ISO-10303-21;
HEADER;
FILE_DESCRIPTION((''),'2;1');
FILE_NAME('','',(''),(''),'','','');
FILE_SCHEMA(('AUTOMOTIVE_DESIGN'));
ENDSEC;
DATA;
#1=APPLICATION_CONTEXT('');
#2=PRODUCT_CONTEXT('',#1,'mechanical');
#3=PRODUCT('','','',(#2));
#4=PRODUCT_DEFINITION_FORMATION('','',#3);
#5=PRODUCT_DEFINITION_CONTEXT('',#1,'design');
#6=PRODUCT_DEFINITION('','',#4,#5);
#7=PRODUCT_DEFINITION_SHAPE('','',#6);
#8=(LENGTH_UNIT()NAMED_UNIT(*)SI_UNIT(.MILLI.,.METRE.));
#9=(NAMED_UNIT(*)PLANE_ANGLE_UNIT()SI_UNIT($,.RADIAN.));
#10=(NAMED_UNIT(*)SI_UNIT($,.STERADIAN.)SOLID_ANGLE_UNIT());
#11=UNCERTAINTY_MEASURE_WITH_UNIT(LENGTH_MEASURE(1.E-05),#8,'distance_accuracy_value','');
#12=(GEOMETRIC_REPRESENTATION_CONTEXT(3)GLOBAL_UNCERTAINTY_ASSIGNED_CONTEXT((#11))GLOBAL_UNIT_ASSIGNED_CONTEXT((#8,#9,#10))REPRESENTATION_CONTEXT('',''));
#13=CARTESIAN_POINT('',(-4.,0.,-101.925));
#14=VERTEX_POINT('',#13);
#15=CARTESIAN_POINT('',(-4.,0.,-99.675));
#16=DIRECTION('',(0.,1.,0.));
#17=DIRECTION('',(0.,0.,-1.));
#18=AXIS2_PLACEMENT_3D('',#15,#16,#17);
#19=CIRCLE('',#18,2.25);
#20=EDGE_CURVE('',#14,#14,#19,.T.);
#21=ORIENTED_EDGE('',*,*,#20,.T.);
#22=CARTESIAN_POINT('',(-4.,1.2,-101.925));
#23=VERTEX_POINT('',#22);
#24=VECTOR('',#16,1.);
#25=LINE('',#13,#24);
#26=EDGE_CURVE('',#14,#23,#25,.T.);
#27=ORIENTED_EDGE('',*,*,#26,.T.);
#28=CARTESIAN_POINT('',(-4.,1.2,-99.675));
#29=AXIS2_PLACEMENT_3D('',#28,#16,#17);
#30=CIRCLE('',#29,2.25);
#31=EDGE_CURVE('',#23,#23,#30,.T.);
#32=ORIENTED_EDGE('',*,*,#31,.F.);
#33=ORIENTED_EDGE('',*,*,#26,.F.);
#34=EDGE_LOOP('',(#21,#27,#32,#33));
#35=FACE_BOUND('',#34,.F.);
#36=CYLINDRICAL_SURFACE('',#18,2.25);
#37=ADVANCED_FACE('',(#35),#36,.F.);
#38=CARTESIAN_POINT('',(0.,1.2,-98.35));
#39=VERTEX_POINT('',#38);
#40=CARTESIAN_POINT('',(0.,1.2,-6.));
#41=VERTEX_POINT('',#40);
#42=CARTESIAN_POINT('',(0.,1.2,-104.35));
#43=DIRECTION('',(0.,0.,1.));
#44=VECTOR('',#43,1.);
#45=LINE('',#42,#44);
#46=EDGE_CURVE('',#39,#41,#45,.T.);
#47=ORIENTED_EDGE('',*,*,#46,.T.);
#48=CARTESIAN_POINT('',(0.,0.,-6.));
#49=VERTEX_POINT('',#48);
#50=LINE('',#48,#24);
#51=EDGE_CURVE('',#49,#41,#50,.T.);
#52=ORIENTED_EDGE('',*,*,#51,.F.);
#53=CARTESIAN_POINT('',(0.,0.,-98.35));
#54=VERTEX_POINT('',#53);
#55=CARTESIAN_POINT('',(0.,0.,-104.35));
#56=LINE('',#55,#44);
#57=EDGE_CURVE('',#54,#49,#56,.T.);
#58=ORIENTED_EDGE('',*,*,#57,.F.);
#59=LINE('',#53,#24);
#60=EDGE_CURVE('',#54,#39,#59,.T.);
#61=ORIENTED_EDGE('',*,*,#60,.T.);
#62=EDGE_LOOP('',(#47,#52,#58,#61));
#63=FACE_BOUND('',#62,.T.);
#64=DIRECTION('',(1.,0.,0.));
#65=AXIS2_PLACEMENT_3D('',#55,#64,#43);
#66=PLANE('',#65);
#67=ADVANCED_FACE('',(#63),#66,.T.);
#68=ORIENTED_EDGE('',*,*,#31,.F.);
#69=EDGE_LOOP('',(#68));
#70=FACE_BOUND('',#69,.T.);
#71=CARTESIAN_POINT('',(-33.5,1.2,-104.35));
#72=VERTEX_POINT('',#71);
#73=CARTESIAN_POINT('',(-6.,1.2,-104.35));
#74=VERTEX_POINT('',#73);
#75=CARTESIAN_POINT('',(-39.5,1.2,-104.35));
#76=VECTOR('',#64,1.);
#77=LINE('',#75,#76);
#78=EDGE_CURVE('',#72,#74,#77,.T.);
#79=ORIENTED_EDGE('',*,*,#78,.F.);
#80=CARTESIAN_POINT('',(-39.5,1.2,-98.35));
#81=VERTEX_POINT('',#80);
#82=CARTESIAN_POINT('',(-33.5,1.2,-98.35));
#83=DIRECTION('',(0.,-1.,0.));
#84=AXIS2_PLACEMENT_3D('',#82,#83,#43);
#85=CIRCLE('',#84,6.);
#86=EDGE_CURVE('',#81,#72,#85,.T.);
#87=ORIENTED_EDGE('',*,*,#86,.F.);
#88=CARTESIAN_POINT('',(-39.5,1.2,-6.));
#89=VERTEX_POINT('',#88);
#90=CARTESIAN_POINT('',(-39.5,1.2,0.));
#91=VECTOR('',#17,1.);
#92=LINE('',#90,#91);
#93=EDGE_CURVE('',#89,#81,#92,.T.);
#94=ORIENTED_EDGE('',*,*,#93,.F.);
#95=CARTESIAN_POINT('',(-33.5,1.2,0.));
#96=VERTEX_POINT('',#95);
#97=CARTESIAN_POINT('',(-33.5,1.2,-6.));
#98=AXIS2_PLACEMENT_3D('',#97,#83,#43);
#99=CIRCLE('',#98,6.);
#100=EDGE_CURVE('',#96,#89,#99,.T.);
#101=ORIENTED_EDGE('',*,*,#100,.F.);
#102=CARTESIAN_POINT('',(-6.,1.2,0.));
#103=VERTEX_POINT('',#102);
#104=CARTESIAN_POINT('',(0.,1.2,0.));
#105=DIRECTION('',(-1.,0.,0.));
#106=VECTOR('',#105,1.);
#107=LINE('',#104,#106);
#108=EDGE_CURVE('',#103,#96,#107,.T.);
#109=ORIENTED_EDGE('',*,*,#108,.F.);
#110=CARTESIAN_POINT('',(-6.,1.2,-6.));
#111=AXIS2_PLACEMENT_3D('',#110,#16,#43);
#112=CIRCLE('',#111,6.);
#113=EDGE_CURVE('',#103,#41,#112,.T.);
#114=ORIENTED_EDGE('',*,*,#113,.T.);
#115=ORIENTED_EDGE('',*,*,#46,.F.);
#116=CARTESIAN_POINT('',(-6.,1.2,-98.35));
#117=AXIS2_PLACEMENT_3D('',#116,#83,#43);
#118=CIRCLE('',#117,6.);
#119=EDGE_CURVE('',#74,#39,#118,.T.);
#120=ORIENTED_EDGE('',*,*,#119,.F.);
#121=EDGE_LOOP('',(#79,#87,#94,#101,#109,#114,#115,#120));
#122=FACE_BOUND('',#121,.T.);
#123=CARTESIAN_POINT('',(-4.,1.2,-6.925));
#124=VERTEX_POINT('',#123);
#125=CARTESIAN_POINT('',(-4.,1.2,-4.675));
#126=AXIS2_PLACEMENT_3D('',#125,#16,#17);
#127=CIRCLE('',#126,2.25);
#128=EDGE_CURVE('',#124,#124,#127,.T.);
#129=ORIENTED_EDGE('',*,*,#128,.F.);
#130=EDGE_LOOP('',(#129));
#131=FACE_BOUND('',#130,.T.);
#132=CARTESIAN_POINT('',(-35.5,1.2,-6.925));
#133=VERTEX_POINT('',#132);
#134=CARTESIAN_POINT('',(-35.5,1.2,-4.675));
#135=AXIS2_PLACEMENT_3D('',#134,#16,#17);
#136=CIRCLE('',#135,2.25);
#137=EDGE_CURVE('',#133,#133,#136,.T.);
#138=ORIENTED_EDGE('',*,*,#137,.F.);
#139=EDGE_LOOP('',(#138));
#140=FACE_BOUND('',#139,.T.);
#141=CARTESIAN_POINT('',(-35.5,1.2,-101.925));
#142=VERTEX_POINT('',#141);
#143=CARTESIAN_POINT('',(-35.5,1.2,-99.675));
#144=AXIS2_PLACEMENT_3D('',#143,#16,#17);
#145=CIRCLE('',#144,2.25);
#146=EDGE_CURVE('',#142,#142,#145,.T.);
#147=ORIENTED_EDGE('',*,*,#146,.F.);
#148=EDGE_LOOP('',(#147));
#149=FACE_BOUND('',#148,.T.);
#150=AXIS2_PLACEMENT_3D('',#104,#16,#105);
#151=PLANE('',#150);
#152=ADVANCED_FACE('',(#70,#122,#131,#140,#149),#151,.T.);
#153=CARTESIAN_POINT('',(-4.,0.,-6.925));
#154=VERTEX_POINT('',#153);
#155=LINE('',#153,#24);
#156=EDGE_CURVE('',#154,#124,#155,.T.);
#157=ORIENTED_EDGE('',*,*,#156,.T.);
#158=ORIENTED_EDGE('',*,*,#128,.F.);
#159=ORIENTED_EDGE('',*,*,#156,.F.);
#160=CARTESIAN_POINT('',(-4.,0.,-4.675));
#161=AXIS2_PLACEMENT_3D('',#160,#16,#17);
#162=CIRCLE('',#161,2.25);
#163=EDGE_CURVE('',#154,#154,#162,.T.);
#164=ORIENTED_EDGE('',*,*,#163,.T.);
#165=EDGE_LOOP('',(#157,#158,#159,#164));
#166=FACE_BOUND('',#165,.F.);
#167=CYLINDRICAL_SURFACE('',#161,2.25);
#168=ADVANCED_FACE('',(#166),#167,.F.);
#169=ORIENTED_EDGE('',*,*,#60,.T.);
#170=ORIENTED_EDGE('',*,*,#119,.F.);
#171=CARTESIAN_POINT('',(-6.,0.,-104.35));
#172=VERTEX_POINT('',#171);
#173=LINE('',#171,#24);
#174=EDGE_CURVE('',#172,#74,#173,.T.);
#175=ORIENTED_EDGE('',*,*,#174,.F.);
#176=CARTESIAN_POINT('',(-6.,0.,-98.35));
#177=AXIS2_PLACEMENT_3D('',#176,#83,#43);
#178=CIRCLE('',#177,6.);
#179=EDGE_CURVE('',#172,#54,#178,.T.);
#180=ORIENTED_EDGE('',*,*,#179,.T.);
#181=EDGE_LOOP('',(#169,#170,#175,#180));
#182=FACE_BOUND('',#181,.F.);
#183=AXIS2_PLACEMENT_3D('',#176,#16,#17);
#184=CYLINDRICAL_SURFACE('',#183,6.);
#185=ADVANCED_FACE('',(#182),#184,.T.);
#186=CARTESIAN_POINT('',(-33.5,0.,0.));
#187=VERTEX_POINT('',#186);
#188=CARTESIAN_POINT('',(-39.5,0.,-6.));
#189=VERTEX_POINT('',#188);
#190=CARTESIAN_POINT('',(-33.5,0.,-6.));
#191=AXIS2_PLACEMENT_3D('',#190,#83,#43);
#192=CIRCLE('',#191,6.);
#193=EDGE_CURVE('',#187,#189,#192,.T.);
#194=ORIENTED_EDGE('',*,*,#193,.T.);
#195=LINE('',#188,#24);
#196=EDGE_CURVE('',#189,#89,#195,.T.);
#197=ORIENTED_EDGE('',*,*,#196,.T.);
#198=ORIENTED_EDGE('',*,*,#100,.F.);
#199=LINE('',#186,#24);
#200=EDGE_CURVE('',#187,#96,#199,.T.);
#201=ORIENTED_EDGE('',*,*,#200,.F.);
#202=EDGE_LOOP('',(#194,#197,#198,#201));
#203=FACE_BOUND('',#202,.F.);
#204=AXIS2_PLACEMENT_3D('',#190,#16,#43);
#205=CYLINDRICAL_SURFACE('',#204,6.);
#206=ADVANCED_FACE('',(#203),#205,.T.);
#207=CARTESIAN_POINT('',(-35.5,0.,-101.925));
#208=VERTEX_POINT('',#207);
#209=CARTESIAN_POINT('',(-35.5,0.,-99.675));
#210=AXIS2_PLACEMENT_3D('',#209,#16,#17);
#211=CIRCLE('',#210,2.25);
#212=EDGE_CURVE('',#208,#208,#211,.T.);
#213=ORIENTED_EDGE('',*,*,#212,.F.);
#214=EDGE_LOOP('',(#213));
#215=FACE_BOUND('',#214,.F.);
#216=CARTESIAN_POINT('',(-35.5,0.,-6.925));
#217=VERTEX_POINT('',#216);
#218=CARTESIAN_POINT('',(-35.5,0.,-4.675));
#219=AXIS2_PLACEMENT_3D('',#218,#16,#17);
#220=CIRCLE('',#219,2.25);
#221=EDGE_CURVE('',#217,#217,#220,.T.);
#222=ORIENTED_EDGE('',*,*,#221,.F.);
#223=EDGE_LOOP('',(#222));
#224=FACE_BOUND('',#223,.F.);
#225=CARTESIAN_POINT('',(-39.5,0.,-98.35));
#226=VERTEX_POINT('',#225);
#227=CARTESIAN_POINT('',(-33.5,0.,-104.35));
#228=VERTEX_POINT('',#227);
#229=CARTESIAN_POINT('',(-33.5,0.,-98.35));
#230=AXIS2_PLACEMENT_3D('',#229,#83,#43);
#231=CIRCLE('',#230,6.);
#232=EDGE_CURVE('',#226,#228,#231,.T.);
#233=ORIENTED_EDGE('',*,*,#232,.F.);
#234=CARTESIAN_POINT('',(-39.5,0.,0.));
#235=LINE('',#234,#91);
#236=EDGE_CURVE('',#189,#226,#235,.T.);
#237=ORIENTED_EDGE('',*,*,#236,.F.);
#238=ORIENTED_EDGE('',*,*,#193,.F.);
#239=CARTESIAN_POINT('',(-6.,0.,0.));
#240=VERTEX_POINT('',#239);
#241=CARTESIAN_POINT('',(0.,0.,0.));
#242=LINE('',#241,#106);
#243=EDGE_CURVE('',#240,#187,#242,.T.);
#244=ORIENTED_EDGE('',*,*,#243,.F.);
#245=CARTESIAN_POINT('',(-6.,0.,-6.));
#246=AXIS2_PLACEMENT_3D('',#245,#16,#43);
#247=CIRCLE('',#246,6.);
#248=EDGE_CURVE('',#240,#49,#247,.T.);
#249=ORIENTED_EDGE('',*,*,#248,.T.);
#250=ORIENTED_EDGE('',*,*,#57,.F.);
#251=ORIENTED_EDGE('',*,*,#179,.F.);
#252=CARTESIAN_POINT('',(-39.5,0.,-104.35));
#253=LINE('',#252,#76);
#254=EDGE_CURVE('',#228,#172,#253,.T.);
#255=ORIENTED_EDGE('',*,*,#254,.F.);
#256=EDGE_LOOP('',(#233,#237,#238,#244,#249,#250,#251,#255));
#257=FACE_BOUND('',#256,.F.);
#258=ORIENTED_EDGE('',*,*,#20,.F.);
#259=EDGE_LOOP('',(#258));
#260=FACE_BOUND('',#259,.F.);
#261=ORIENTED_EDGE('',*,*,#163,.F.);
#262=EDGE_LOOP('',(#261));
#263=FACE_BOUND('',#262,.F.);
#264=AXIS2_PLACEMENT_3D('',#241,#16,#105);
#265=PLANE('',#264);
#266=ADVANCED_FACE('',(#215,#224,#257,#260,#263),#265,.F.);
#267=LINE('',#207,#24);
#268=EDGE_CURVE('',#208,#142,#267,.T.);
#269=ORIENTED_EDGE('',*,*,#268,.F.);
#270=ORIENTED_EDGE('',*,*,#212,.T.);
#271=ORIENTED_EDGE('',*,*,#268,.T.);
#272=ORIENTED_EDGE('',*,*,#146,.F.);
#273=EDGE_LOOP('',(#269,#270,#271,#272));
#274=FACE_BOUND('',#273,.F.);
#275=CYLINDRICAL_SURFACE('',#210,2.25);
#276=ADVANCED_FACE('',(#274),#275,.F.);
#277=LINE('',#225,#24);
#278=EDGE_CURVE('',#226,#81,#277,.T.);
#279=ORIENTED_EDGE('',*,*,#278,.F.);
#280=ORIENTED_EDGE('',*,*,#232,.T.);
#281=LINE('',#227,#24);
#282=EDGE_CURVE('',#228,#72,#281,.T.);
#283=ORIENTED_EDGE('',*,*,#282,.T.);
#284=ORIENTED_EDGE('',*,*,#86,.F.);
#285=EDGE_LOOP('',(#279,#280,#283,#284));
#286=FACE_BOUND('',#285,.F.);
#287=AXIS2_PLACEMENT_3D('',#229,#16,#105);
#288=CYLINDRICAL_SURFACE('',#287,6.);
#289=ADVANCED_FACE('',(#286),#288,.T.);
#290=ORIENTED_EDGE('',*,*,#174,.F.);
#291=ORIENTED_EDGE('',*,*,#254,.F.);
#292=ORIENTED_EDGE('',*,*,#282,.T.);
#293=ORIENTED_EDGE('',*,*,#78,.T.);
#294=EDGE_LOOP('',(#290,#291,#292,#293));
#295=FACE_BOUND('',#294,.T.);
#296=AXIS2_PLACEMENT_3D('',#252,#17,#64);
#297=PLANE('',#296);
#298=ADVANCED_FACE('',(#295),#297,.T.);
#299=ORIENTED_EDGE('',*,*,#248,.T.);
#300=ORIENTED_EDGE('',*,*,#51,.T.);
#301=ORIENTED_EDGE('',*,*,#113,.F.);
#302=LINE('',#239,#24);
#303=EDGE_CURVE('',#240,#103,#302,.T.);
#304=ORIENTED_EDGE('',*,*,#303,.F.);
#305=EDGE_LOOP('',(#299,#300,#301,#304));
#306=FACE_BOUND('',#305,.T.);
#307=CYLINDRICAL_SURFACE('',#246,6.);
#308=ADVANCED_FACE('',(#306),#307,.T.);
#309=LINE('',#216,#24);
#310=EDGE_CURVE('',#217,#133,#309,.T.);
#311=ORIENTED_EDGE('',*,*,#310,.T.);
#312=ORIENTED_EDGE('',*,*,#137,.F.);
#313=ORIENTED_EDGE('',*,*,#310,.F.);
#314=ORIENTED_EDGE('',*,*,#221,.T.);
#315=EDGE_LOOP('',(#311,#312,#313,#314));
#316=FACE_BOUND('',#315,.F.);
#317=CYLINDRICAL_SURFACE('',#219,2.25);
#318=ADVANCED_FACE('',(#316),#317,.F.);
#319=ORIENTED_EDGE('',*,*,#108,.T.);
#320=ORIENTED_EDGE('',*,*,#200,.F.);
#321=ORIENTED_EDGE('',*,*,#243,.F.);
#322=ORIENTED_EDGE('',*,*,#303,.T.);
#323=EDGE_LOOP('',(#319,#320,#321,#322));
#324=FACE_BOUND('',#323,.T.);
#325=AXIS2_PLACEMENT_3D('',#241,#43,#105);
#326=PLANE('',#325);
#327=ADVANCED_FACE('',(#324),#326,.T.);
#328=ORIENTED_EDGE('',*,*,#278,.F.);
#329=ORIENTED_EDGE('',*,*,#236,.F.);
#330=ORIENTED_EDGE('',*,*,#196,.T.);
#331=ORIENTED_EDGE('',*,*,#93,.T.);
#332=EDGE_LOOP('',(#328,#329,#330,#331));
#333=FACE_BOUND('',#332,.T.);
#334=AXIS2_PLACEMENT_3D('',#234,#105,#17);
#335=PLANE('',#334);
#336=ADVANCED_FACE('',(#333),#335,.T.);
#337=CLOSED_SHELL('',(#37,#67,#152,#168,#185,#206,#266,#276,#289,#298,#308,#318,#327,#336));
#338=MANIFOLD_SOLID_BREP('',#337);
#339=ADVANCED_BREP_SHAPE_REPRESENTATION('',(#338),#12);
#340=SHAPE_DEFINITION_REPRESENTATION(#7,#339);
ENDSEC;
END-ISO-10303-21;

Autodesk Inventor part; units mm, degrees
ref_plane "YZ Plane" through (0, 0, 0) normal (1, 0, 0) x (0, 1, 0)
ref_plane "XZ Plane" through (0, 0, 0) normal (0, 1, 0) x (-1, 0, 0)
ref_plane "XY Plane" through (0, 0, 0) normal (0, 0, 1) x (1, 0, 0)
sketch "Sketch1" plane through (0, 0, 0) normal (0, 1, 0) x (-1, 0, 0)
  line L0 (0, 0) -> (39.5, 0)
  line L1 (39.5, 0) -> (39.5, -104.35)
  line L2 (39.5, -104.35) -> (0, -104.35)
  line L3 (0, -104.35) -> (0, 0)
  dimension "d0" = 104.35
  dimension "d1" = 39.5
extrude "Extrusion1" add sketch "Sketch1" along normal blind 1.2
fillet "Fillet1" radius 6 4 edges at (0, 0.6, 0) (-39.5, 0.6, 0) (0, 0.6, -104.35) (-39.5, 0.6, -104.35)
sketch "Sketch2" plane through (0, 0, 0) normal (0, -1, 0) x (1, 0, 0)
  line L0 (-35.5, -99.675) -> (-4, -99.675) construction
  line L1 (-4, -99.675) -> (-4, -4.675) construction
  line L2 (-4, -4.675) -> (-35.5, -4.675) construction
  line L3 (-35.5, -4.675) -> (-35.5, -99.675) construction
  line L4 (0, -98.35) -> (0, -6) construction
  line L5 (-39.5, -6) -> (-39.5, -98.35) construction
  line L6 (-6, 0) -> (-33.5, 0) construction
  line L7 (-33.5, -104.35) -> (-6, -104.35) construction
  point P0 (0, 0)
  dimension "d5" = 95
  dimension "d6" = 31.5
  dimension "d7" = 39.5
  dimension "d8" = 4
  dimension "d9" = 104.35
  dimension "d10" = 4.675
hole "Hole1" at (-35.5, 0, -99.675) at (-4, 0, -99.675) at (-4, 0, -4.675) at (-35.5, 0, -4.675) direction (0, 1, 0) diameter 4.5 depth 1.2 clearance for "Flat Head Machine Screw" size "M4" standard "Ansi Metric M Profile"
equation "\"d8\" = -0.5 * d6 + 0.5 * d7"
equation "\"d10\" = -0.5 * d5 + 0.5 * d9"
properties part number "PCB"
